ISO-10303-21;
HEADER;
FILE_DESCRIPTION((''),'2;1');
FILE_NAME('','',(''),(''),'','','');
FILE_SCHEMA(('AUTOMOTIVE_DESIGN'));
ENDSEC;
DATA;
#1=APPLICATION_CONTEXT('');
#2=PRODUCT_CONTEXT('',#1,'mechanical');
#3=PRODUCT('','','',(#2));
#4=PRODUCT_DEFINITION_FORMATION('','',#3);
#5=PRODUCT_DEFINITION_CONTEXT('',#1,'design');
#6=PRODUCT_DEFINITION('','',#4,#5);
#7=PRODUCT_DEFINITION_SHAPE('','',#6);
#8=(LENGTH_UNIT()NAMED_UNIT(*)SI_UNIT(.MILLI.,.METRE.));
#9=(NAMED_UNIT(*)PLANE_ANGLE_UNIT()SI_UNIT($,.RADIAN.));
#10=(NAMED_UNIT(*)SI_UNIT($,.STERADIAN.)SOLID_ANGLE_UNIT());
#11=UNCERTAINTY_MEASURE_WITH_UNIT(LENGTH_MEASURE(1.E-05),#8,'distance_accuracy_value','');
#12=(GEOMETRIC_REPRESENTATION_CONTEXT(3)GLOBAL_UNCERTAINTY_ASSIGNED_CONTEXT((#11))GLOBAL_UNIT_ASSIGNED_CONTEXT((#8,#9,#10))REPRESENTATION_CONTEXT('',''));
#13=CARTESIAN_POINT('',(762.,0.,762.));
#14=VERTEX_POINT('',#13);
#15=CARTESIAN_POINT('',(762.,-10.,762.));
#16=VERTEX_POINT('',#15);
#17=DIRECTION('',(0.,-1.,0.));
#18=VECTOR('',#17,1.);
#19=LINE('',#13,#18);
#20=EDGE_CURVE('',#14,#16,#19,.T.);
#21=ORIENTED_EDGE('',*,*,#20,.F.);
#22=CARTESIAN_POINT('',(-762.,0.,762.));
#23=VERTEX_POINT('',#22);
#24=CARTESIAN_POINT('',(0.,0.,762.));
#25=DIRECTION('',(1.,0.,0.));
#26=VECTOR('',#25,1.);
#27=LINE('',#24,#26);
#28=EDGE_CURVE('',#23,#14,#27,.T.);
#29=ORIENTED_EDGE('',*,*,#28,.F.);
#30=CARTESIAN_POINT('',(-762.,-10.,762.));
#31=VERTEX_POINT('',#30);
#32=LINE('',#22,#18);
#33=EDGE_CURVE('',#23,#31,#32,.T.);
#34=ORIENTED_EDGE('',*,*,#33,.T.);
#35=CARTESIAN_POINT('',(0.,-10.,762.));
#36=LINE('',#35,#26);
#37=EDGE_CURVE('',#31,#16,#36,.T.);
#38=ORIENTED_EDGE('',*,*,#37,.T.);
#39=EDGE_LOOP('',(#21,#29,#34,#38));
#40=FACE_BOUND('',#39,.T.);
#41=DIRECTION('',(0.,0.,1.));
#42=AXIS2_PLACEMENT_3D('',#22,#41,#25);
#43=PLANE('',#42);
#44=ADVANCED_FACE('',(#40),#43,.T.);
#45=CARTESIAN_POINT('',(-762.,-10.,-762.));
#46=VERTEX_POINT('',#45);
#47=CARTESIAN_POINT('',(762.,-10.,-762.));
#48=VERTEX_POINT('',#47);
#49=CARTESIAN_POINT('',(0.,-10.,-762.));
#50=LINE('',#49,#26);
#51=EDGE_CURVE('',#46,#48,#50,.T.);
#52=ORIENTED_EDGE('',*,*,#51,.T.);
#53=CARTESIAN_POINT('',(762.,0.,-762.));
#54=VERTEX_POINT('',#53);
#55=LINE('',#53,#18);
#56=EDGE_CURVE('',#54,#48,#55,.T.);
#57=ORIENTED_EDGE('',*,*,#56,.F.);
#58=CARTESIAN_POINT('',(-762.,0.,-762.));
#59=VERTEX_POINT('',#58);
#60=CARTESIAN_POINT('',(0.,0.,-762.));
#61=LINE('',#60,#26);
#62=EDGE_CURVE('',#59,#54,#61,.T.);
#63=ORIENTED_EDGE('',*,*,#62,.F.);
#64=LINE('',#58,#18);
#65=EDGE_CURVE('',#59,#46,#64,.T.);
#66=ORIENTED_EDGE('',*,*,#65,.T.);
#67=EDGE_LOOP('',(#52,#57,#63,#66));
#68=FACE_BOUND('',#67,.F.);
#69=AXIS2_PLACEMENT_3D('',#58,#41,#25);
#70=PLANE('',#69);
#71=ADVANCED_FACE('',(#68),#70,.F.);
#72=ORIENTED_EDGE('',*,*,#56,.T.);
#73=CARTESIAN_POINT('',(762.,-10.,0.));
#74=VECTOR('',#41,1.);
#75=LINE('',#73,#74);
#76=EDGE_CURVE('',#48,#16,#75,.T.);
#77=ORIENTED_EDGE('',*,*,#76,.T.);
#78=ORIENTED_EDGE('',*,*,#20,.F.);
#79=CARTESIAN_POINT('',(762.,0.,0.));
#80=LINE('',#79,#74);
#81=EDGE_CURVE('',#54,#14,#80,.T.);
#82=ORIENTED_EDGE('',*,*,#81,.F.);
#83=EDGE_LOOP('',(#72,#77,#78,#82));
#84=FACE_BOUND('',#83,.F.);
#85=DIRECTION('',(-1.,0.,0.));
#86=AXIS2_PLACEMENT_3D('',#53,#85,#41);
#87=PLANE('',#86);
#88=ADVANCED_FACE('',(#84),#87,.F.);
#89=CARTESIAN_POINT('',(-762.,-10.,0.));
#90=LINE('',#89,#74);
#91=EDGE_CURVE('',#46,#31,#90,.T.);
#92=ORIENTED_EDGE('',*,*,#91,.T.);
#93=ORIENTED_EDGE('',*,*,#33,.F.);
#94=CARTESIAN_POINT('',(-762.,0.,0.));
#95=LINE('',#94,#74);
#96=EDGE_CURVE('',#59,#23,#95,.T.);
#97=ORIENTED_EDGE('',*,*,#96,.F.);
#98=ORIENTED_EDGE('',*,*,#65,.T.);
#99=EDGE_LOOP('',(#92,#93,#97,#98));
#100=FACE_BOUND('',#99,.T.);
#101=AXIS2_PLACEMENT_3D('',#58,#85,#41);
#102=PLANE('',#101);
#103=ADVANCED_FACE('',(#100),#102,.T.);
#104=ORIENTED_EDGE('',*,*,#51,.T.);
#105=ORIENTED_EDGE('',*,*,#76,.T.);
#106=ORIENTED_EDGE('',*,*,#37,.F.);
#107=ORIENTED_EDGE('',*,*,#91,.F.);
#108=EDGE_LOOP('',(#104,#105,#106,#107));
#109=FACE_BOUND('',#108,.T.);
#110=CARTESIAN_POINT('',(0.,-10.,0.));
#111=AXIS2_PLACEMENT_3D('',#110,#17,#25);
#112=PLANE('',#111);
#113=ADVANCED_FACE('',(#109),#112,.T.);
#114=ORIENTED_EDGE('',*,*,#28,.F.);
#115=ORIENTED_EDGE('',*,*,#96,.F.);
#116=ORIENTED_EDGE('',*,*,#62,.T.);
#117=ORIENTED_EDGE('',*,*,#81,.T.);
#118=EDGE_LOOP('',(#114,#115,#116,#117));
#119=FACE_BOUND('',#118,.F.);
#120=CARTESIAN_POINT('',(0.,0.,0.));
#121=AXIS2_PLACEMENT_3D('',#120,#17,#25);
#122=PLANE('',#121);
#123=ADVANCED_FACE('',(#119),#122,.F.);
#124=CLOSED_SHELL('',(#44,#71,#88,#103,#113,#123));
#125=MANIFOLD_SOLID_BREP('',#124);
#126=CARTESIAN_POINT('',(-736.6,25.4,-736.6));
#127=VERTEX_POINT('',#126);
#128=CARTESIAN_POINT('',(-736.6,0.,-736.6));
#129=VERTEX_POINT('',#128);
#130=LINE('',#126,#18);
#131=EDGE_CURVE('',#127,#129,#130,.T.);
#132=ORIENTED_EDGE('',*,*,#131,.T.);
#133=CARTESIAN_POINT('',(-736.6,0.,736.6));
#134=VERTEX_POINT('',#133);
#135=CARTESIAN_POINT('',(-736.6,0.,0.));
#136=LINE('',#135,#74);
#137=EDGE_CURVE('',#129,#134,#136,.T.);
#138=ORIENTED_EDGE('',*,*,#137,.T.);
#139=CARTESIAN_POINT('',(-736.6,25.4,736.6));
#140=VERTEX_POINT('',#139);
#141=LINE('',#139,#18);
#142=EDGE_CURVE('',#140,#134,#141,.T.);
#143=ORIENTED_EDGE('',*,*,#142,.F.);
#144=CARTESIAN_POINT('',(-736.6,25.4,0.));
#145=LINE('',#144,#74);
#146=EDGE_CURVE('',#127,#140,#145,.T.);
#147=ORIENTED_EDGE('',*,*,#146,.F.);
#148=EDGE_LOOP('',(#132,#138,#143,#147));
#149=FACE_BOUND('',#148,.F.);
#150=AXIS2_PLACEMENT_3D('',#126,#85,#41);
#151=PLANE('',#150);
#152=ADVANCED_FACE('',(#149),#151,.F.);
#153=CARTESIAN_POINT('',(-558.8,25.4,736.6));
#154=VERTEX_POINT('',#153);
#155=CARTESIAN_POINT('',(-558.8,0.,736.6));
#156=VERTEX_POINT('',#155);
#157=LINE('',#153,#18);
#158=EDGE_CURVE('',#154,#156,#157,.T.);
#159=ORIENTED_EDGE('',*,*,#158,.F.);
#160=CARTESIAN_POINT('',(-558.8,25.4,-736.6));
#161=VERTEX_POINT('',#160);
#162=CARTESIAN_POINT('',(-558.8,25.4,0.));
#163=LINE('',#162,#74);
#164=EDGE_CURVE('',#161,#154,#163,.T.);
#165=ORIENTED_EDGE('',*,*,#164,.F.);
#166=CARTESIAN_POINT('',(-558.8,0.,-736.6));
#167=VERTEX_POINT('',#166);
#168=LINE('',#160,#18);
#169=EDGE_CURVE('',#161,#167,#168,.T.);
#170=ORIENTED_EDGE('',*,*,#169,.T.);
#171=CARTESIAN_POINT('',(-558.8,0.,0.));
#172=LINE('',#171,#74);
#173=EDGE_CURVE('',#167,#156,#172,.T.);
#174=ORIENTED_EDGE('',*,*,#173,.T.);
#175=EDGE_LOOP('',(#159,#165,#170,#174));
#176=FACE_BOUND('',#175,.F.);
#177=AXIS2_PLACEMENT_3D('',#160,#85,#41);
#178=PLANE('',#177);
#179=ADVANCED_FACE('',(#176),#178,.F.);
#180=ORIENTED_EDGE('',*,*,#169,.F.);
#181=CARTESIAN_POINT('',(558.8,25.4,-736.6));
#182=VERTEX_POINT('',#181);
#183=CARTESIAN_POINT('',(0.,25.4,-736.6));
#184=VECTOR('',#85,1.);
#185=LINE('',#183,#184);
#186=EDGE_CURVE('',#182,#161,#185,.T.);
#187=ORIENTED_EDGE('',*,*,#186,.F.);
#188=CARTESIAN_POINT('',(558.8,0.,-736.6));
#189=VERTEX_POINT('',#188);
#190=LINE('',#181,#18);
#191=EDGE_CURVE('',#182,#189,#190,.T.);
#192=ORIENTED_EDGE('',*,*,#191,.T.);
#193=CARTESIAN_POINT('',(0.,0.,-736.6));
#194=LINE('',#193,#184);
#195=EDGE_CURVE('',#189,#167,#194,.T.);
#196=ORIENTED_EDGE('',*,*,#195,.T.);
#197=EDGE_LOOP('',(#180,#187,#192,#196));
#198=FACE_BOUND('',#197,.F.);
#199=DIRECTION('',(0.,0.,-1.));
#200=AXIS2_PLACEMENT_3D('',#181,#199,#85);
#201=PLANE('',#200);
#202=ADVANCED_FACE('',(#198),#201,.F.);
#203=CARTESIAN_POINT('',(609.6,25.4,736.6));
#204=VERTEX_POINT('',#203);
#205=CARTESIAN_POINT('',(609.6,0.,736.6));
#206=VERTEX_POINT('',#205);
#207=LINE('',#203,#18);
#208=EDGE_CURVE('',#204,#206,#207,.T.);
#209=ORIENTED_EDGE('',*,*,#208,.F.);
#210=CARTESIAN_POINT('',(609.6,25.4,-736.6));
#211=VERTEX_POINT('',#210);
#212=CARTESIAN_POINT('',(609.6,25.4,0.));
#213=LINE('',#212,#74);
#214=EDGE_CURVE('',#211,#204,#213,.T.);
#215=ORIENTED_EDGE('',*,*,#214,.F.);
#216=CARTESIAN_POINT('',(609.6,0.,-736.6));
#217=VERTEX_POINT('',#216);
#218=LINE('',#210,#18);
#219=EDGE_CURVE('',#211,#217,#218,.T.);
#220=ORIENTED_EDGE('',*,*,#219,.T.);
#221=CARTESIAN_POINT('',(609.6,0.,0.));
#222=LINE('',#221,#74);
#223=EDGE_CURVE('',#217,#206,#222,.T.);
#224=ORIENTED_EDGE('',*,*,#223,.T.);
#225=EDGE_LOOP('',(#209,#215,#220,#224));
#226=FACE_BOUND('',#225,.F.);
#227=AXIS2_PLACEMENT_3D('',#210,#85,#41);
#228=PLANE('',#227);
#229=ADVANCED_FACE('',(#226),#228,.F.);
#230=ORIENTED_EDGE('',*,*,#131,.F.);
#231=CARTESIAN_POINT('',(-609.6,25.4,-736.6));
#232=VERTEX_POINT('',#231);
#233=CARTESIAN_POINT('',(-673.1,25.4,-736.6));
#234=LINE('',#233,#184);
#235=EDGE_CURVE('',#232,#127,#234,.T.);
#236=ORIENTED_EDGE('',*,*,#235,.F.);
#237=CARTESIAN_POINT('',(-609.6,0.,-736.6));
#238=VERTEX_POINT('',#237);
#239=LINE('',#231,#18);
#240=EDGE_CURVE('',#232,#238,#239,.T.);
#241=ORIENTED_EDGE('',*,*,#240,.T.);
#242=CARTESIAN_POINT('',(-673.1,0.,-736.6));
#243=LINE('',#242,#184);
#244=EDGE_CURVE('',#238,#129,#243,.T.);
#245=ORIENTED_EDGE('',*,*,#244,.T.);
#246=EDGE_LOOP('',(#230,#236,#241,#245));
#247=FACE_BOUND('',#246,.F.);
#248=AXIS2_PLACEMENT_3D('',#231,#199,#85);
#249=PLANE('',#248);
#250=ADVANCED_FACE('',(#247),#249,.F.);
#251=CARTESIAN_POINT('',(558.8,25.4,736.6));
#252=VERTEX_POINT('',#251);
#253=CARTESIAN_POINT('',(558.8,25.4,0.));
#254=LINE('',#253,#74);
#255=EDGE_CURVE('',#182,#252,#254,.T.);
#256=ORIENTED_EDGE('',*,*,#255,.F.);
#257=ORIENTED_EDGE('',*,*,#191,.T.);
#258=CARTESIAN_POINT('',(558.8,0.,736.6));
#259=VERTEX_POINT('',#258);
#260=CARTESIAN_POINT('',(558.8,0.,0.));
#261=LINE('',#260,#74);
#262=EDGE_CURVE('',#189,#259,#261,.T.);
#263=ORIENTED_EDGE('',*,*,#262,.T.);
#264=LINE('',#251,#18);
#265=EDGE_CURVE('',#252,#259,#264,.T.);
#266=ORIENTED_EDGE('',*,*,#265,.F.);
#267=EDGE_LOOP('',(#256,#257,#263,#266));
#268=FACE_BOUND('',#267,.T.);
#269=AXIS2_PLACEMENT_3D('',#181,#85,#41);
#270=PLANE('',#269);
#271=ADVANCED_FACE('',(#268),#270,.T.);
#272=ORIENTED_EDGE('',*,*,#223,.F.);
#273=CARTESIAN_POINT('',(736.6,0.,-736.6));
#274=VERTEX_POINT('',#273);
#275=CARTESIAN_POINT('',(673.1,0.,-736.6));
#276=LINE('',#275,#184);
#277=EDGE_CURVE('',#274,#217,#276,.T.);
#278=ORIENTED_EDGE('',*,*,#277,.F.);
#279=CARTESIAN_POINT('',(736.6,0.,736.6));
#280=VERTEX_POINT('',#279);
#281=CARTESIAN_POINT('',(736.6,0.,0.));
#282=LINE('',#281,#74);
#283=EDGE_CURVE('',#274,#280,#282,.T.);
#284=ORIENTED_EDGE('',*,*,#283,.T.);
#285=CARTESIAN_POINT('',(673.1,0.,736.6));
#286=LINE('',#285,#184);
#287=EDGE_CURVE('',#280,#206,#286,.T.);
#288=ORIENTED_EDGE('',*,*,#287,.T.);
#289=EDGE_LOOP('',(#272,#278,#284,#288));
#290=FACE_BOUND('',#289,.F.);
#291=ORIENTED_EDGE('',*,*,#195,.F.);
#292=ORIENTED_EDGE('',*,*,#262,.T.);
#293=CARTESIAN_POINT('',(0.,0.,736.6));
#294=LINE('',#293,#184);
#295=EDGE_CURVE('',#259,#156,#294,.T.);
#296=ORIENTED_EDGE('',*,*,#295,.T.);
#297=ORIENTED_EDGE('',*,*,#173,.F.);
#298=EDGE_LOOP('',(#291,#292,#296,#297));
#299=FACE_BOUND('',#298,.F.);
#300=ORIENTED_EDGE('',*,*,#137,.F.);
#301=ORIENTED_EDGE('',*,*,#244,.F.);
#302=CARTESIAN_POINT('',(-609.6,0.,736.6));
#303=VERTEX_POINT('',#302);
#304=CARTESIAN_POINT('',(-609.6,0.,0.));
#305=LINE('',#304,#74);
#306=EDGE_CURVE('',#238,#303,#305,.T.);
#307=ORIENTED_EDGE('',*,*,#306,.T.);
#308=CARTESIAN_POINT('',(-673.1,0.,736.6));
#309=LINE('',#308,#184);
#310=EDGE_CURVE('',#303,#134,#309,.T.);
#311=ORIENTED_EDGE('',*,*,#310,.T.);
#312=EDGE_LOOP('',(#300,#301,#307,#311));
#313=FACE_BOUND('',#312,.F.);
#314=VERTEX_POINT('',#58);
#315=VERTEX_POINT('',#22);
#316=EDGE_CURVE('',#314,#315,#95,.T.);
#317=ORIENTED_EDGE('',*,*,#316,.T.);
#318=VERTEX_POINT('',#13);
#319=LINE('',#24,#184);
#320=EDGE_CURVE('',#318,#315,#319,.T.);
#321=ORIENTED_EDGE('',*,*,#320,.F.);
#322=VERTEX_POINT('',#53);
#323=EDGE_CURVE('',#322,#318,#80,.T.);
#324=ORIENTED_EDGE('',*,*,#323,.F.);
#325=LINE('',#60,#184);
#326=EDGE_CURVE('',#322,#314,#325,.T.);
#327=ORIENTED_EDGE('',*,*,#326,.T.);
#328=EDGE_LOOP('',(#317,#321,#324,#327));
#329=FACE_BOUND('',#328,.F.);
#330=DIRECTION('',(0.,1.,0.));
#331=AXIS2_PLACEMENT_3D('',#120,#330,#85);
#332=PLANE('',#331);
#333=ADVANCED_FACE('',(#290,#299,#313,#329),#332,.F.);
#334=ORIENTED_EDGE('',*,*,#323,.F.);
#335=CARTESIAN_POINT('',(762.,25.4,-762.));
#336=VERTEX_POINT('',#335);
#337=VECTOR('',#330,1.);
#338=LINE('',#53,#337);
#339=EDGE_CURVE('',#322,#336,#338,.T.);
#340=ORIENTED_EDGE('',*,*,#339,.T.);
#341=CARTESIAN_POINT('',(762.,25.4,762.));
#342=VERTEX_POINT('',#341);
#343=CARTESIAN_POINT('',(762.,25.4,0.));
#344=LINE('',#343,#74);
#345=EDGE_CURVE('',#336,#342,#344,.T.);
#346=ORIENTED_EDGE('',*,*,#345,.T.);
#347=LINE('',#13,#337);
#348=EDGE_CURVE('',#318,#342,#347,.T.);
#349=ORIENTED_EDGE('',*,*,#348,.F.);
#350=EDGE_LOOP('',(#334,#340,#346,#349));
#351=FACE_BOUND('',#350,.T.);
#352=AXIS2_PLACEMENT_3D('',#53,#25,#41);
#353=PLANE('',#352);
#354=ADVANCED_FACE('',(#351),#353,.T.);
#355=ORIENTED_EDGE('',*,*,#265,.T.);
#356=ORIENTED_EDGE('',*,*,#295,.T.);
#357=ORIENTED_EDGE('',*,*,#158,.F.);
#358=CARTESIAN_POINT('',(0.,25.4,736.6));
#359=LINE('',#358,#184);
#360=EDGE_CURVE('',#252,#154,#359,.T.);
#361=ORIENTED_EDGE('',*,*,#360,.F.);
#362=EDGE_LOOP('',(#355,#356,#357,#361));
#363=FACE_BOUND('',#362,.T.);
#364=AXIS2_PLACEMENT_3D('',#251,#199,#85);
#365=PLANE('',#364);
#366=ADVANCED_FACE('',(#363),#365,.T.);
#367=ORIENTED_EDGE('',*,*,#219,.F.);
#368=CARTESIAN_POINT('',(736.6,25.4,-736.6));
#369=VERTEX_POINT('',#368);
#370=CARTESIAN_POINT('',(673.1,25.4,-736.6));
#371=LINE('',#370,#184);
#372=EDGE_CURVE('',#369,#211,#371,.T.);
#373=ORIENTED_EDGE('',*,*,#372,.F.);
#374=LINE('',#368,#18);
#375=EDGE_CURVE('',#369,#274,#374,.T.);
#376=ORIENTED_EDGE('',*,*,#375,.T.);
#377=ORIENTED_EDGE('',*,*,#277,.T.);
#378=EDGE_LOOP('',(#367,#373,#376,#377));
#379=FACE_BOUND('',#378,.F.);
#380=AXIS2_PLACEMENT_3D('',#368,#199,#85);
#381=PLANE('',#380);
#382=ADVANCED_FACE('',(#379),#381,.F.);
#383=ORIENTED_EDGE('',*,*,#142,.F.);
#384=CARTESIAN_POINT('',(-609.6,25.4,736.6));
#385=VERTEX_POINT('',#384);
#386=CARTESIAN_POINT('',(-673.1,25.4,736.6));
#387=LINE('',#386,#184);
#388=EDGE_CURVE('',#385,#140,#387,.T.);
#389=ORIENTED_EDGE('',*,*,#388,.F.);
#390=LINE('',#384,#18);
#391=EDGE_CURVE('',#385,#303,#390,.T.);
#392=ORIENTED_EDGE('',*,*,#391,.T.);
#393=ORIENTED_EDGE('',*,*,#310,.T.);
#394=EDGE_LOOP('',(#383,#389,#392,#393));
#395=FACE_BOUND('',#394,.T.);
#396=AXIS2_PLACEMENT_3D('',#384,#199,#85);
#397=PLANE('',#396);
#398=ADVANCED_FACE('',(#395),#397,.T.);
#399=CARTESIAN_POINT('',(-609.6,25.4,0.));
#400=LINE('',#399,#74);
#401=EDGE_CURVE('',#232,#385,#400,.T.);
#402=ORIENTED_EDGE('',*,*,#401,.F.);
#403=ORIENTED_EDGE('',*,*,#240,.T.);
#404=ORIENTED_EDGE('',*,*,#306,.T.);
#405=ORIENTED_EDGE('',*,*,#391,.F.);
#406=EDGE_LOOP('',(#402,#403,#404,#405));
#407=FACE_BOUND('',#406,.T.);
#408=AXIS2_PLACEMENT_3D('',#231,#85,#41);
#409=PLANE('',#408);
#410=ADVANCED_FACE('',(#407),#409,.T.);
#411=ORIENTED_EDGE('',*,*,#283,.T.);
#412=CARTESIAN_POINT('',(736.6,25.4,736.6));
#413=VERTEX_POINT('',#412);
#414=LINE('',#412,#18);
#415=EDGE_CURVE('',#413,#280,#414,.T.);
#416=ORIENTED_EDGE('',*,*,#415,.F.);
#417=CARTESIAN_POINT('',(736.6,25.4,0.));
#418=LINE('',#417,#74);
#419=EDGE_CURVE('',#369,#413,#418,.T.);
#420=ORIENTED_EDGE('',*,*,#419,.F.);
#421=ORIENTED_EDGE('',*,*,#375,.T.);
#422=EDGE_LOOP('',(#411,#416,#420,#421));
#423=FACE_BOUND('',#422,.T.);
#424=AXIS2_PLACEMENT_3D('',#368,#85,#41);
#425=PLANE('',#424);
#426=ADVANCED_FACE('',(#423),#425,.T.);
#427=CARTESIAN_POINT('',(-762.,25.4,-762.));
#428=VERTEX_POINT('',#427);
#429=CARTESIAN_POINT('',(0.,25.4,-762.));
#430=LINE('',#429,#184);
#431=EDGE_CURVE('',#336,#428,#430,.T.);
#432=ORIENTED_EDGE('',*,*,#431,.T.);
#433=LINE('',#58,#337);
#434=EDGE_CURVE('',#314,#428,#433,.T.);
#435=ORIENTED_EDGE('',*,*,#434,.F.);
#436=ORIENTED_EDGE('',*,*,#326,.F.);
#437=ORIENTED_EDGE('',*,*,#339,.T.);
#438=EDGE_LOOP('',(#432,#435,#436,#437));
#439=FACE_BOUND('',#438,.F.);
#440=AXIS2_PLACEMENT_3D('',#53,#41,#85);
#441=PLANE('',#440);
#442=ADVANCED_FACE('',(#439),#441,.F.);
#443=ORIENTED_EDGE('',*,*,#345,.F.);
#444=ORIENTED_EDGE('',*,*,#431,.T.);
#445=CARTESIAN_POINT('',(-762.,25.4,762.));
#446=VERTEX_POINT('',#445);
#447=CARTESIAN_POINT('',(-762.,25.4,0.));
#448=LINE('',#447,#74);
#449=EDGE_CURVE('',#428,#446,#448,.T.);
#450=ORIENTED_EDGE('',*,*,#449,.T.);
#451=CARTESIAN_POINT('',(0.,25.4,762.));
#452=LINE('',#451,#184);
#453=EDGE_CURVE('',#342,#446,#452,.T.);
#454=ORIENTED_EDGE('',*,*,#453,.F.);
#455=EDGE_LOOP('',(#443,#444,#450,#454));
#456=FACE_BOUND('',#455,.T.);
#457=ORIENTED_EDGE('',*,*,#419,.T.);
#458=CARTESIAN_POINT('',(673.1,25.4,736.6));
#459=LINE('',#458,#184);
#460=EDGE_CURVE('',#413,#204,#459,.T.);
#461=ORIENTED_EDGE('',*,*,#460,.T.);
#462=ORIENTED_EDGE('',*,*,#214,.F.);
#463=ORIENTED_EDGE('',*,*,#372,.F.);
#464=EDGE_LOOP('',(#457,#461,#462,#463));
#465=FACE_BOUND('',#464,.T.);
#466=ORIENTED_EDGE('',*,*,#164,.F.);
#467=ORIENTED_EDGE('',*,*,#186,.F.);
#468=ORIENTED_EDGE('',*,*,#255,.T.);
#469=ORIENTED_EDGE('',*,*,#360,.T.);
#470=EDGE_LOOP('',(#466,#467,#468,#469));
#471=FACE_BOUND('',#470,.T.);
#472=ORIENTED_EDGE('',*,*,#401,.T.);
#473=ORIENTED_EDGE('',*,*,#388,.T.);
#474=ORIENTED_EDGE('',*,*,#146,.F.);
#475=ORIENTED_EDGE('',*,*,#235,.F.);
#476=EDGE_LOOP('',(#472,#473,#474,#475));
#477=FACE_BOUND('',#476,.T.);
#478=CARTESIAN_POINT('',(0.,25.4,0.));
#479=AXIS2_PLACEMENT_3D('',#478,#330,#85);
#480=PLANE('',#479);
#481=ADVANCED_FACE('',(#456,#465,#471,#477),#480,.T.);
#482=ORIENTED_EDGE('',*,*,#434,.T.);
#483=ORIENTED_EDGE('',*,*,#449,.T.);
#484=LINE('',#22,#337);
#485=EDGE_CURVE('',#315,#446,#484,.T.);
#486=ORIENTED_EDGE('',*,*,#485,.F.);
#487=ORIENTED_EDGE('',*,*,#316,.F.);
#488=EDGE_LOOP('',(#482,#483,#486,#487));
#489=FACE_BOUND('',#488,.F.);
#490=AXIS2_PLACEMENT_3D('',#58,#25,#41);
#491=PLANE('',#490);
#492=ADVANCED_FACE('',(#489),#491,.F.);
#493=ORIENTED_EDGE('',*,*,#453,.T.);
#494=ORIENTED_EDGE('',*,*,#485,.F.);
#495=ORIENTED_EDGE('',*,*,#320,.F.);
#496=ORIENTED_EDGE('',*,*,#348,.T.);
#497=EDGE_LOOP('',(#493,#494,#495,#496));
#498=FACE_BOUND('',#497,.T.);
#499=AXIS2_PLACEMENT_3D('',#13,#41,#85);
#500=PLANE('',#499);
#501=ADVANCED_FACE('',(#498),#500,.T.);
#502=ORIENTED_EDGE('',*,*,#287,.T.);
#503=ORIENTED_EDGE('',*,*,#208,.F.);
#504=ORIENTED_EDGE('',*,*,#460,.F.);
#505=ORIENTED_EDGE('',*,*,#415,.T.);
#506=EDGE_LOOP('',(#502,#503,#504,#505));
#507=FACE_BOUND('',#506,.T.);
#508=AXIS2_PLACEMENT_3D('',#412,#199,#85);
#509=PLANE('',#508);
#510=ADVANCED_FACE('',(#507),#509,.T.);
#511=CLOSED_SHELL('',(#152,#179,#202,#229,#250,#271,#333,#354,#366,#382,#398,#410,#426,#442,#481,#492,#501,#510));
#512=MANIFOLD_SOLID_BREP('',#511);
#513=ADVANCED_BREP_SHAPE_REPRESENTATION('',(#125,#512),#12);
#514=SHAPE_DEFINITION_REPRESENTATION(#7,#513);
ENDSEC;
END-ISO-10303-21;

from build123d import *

# Parameters (mm, degrees)
F0_W     = 1524
F0_H     = 1524
F1_DEPTH = 10
F2_W     = 1524
F2_H     = 1524
F3_DEPTH = 25.4
F4_W     = 127
F4_H     = 1473.2
F4_W_2   = 1117.6
F5_DEPTH = 25.4


with BuildPart() as f1:
    # F0 (on Front) → F1 (new body)
    with BuildSketch(Plane.XZ):
        Rectangle(F0_W, F0_H)
    extrude(amount=F1_DEPTH)


with BuildPart() as f3:
    # F2 (on face) → F3 (new body)
    with BuildSketch(Plane(origin=(0, 0, 0), x_dir=(-1, 0, 0), z_dir=(0, 1, 0))):
        Rectangle(F2_W, F2_H)
    extrude(amount=F3_DEPTH)

    # F4 (on face) → F5 (cut)
    with BuildSketch(Plane(origin=(0, 25.4, 0), x_dir=(-1, 0, 0), z_dir=(0, 1, 0))):
        with Locations((-673.1, 0)):
            Rectangle(F4_W, F4_H)
        Rectangle(F4_W_2, F4_H)
        with Locations((673.1, 0)):
            Rectangle(F4_W, F4_H)
    extrude(amount=-F5_DEPTH, mode=Mode.SUBTRACT)


solid = Compound([f1.part, f3.part])
